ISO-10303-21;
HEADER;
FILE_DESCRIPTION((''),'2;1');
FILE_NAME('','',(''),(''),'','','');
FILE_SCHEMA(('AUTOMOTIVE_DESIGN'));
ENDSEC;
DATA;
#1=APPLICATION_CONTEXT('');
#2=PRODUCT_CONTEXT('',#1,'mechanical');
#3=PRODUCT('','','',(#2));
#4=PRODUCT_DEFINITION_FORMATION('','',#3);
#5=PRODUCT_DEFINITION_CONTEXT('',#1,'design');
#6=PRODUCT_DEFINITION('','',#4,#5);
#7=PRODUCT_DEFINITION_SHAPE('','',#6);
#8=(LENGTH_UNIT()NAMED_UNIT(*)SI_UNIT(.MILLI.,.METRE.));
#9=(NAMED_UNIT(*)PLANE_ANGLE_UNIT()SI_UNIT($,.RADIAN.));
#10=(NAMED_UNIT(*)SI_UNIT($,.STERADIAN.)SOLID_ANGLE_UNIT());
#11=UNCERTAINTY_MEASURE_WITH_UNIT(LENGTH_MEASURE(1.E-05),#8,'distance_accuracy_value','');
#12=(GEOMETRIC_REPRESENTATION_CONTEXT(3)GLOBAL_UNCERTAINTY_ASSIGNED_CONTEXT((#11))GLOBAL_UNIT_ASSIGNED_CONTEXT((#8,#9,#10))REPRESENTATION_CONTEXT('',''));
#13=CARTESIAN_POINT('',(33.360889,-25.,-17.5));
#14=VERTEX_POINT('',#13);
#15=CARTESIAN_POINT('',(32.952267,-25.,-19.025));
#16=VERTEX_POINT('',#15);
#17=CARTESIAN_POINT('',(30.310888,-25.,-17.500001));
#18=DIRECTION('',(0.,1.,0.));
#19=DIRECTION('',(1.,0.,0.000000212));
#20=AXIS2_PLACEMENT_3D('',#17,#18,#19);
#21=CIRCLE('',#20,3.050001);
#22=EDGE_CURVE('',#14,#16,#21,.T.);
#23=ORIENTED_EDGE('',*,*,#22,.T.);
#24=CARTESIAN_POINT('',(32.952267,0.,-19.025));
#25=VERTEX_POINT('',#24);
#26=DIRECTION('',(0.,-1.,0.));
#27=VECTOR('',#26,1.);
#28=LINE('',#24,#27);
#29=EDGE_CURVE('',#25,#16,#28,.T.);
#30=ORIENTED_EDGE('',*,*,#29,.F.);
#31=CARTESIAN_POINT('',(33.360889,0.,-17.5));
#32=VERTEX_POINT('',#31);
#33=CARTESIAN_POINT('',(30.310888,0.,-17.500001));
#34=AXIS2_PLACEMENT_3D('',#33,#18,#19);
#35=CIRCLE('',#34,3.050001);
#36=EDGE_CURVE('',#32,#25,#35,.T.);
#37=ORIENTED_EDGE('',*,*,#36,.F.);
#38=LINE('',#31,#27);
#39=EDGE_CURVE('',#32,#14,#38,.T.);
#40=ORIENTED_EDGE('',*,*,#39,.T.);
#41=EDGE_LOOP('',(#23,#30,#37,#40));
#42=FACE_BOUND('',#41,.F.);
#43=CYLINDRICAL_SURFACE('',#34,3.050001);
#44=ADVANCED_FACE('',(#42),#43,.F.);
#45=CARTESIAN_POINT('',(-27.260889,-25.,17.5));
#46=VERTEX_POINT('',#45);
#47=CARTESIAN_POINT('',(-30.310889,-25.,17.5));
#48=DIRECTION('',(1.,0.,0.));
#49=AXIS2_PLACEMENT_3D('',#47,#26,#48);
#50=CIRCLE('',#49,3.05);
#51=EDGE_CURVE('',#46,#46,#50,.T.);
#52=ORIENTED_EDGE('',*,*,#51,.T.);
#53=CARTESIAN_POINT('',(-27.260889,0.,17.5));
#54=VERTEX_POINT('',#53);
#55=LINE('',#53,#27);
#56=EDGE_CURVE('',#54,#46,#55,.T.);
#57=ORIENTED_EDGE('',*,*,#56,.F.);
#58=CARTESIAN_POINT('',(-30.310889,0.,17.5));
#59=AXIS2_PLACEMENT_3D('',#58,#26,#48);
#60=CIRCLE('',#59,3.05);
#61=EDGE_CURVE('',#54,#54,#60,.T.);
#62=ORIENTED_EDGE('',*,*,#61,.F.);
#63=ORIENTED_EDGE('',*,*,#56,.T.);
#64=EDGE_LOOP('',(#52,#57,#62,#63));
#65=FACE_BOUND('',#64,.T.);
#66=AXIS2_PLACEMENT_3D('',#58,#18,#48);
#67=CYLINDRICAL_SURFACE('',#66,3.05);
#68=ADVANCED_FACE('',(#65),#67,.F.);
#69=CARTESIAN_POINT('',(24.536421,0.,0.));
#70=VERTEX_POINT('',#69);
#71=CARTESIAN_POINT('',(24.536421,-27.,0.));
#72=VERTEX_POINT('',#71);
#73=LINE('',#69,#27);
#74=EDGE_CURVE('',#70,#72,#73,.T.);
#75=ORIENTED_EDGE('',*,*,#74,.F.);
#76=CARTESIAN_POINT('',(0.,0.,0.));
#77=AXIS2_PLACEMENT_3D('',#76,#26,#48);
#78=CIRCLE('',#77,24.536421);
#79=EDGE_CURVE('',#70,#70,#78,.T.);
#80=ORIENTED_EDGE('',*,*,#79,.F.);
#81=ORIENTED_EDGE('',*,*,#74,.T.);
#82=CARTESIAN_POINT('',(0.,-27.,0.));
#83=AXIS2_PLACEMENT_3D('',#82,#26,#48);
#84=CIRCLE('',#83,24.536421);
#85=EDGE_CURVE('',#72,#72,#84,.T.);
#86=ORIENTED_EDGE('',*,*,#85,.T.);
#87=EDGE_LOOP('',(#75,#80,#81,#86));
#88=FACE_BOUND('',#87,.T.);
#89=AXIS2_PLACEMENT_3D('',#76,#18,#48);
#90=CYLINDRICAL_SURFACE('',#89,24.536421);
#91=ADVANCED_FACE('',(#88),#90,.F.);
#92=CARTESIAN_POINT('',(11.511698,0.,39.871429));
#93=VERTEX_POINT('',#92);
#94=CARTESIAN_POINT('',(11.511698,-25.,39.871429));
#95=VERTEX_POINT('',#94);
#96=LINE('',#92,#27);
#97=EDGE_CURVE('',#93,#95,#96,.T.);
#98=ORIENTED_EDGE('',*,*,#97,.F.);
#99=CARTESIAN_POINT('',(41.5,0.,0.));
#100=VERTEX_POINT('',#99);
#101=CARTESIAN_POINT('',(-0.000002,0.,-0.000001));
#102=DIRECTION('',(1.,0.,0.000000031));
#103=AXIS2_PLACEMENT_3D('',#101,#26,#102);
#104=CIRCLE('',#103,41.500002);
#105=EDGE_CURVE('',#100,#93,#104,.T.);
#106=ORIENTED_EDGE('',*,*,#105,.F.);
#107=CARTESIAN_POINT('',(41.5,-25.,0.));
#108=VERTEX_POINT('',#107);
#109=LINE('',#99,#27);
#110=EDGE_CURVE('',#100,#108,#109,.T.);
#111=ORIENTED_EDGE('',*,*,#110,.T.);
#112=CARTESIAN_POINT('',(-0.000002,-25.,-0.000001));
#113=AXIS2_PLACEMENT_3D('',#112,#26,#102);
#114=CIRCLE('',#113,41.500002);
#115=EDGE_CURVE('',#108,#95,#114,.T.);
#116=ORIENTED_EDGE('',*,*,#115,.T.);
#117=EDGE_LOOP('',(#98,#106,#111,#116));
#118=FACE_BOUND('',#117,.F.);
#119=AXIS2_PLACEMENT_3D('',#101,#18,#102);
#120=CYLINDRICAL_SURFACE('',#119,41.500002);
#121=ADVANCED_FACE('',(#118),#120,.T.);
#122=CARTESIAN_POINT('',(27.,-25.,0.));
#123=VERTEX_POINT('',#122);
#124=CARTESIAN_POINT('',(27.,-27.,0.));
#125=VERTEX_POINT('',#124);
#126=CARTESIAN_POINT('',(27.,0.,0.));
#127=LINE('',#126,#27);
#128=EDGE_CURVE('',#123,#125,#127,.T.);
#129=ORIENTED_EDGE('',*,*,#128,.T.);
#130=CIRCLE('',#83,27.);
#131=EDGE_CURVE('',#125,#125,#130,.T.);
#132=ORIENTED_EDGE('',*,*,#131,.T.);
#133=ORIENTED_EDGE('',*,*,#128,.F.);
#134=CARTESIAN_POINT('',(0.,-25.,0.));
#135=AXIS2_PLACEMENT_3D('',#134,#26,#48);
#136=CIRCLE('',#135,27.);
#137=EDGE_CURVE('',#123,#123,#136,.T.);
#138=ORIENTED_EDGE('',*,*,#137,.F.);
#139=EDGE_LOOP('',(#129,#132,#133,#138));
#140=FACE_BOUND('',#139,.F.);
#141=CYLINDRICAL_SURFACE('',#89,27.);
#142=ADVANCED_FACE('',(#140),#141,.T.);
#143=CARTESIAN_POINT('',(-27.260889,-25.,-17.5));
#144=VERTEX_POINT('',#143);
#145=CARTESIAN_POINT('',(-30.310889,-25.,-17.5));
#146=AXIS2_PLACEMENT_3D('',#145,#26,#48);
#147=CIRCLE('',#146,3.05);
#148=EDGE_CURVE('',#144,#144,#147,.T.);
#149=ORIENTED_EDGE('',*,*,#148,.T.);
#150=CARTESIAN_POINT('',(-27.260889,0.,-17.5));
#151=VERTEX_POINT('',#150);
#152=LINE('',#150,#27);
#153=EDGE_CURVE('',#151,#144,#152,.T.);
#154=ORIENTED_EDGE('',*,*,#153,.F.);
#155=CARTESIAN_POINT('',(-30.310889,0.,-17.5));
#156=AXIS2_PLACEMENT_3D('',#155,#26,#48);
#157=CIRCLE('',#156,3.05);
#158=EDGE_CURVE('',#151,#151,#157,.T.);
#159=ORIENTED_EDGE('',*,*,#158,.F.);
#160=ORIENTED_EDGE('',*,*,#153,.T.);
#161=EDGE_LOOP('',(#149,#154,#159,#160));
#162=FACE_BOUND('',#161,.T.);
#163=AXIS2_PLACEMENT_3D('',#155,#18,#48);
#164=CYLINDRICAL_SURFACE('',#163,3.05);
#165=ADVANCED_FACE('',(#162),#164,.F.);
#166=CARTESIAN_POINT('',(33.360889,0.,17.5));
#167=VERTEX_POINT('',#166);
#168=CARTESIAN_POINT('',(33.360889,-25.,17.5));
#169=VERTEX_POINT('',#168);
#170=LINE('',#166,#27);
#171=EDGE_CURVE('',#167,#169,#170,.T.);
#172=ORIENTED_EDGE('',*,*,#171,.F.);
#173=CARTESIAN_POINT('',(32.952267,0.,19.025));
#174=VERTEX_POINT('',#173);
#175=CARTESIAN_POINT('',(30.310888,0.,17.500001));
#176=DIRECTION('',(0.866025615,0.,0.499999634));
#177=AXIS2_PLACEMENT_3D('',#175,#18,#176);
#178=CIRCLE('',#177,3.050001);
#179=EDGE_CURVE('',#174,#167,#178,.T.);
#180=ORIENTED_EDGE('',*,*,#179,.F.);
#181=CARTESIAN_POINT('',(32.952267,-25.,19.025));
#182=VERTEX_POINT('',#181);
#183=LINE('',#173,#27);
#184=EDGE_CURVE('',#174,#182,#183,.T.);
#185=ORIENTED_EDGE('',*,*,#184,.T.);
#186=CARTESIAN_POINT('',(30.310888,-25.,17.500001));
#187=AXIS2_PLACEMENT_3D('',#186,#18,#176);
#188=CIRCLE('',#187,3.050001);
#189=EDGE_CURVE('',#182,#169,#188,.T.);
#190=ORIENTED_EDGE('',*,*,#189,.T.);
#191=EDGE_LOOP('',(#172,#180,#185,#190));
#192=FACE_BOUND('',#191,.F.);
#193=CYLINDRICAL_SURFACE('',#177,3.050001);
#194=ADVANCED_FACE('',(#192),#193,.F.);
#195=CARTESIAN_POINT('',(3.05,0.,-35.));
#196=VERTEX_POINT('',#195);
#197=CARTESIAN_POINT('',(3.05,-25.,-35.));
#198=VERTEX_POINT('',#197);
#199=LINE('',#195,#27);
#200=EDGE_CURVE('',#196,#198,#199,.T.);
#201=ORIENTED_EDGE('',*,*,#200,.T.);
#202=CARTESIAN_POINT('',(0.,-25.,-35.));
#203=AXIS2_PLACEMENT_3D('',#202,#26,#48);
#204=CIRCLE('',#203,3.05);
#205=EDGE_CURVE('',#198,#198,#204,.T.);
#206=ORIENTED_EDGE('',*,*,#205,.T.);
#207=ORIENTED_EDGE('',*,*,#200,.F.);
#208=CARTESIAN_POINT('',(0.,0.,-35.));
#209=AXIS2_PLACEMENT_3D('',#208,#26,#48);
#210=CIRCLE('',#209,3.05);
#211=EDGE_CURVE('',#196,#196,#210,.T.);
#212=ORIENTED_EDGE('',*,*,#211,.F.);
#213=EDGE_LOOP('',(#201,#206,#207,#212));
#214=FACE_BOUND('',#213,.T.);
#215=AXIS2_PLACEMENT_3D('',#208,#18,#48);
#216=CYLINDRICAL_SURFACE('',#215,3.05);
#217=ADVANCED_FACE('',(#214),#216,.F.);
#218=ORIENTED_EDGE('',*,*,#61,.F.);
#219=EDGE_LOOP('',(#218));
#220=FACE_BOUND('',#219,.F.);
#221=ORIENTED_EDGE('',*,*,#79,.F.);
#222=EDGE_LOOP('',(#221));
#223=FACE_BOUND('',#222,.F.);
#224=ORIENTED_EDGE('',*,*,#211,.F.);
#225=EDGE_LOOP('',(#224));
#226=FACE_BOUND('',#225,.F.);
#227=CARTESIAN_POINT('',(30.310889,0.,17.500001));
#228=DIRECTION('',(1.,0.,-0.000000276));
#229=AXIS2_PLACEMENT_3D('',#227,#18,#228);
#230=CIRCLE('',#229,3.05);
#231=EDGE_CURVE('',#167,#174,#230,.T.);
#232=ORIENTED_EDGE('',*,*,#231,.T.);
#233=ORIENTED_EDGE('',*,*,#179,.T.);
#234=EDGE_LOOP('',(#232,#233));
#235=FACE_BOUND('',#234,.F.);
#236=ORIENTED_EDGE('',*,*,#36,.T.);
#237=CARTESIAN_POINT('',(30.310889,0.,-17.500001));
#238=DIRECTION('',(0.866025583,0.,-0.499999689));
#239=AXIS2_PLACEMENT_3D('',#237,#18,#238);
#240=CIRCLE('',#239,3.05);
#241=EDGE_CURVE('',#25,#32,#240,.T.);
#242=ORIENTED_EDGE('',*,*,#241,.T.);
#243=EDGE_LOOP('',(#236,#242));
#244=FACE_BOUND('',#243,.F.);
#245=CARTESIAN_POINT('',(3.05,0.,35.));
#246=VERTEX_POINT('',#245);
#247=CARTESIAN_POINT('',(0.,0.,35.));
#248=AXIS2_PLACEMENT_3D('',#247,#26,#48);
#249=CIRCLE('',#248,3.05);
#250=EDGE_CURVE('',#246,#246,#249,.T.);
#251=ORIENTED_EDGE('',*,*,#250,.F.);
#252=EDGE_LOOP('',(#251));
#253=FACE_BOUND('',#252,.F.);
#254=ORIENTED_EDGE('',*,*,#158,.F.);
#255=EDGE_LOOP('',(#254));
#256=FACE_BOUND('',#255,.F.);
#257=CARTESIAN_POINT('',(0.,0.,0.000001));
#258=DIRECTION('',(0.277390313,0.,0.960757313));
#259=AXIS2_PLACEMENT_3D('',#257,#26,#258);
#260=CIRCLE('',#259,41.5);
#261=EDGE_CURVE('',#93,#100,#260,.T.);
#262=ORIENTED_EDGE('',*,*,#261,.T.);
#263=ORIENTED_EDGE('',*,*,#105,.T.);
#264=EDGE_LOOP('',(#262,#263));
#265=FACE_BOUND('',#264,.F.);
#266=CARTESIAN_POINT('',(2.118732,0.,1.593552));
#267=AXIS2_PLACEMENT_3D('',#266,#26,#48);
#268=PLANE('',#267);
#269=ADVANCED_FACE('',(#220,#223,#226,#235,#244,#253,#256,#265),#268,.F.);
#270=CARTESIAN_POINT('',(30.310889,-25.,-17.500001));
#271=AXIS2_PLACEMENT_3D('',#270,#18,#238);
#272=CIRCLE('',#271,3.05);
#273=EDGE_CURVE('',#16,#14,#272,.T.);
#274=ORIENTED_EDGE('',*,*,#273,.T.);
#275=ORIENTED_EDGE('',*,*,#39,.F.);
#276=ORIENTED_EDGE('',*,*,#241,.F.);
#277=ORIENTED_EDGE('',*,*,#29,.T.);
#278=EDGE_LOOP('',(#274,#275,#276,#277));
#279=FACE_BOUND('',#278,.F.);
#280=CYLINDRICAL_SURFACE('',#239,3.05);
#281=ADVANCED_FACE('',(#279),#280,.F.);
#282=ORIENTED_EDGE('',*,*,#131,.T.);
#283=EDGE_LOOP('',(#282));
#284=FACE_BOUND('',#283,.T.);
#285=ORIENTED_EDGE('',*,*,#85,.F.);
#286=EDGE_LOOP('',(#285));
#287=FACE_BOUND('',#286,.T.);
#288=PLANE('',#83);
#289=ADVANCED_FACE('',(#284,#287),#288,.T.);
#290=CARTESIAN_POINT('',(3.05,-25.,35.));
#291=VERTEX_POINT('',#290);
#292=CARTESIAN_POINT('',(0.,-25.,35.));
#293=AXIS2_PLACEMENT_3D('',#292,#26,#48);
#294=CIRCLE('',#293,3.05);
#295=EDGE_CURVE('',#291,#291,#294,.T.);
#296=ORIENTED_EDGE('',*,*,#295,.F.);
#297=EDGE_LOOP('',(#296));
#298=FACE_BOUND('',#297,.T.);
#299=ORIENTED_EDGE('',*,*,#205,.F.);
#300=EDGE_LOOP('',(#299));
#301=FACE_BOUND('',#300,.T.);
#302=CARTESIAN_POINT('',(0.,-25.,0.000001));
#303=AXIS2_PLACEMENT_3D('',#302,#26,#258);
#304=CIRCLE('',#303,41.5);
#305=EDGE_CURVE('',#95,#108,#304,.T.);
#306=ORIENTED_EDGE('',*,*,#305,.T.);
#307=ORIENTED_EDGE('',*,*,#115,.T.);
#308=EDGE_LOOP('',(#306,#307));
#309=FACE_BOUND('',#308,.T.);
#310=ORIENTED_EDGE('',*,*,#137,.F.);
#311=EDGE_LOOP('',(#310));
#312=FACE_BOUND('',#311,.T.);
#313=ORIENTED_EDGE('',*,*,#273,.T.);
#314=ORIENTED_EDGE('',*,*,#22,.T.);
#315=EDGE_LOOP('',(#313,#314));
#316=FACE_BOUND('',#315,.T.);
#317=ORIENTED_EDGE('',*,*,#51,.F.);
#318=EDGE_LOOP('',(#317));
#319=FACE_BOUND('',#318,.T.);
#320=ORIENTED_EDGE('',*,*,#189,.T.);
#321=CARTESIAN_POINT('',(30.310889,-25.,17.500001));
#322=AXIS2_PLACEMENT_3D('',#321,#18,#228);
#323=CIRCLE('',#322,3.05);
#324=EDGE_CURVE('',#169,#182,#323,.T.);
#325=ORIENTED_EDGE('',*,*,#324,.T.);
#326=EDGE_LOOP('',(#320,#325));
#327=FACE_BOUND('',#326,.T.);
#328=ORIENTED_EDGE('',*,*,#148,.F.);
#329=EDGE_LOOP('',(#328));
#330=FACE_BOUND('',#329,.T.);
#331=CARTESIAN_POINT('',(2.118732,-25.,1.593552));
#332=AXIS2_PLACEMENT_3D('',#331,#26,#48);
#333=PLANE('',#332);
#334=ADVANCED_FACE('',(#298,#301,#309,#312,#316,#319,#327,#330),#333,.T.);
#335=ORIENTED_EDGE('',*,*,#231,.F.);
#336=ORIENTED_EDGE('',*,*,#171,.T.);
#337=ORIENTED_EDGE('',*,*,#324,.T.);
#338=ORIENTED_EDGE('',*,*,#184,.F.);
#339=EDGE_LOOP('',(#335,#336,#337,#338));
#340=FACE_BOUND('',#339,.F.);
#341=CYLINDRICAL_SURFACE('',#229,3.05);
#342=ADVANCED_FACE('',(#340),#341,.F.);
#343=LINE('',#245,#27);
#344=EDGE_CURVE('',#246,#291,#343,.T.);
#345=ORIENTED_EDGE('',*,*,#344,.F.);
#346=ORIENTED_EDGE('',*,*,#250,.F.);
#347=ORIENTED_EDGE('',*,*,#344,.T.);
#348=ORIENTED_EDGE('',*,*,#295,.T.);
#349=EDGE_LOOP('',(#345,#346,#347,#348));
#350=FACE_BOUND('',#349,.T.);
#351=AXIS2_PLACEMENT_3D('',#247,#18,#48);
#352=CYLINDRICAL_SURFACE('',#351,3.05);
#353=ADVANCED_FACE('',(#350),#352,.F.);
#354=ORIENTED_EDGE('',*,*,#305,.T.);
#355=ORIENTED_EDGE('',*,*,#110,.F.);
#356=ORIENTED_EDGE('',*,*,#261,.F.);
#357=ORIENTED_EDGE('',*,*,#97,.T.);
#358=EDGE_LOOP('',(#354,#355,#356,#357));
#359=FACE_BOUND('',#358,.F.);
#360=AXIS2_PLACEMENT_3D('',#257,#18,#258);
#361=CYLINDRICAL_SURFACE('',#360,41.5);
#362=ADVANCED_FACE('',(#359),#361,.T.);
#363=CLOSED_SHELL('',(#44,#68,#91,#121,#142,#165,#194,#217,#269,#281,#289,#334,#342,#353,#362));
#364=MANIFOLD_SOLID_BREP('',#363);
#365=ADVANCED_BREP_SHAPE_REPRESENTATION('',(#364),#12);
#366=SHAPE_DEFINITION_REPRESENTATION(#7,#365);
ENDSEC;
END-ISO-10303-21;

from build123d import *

# Parameters (mm, degrees)
F0_R     = 3.05
F0_R_2   = 27
F1_DEPTH = 25
F3_DEPTH = 27
F4_R     = 24.536421
F5_DEPTH = 27


with BuildPart() as f1:
    # F0 (on Front) → F1 (new body)
    with BuildSketch(Plane.XZ):
        with BuildLine():
            ThreePointArc((11.511698, 39.871429), (-33.166138, -24.945085), (41.5, 0))
            ThreePointArc((41.5, 0), (33.166138, 24.945085), (11.511698, 39.871429))
        make_face()
        with Locations((-30.310889, -17.5)):
            Circle(F0_R, mode=Mode.SUBTRACT)
        with Locations((0, -35)):
            Circle(F0_R, mode=Mode.SUBTRACT)
        with BuildLine():
            ThreePointArc((32.952267, -19.025), (27.364815, -16.710602), (33.360889, -17.5))
            ThreePointArc((33.360889, -17.5), (33.256963, -18.289398), (32.952267, -19.025))
        make_face(mode=Mode.SUBTRACT)
        with Locations((-30.310889, 17.5)):
            Circle(F0_R, mode=Mode.SUBTRACT)
        Circle(F0_R_2, mode=Mode.SUBTRACT)
        with BuildLine():
            ThreePointArc((32.952267, 19.025), (33.256963, 18.289398), (33.360889, 17.5))
            ThreePointArc((33.360889, 17.5), (27.364815, 16.710602), (32.952267, 19.025))
        make_face(mode=Mode.SUBTRACT)
        with Locations((0, 35)):
            Circle(F0_R, mode=Mode.SUBTRACT)
    extrude(amount=F1_DEPTH)

    # F0 (on Front) → F3 (join)
    with BuildSketch(Plane.XZ):
        Circle(F0_R_2)
    extrude(amount=F3_DEPTH)

    # F4 (on Front) → F5 (cut)
    with BuildSketch(Plane.XZ):
        Circle(F4_R)
    extrude(amount=F5_DEPTH, mode=Mode.SUBTRACT)


solid = f1.part
